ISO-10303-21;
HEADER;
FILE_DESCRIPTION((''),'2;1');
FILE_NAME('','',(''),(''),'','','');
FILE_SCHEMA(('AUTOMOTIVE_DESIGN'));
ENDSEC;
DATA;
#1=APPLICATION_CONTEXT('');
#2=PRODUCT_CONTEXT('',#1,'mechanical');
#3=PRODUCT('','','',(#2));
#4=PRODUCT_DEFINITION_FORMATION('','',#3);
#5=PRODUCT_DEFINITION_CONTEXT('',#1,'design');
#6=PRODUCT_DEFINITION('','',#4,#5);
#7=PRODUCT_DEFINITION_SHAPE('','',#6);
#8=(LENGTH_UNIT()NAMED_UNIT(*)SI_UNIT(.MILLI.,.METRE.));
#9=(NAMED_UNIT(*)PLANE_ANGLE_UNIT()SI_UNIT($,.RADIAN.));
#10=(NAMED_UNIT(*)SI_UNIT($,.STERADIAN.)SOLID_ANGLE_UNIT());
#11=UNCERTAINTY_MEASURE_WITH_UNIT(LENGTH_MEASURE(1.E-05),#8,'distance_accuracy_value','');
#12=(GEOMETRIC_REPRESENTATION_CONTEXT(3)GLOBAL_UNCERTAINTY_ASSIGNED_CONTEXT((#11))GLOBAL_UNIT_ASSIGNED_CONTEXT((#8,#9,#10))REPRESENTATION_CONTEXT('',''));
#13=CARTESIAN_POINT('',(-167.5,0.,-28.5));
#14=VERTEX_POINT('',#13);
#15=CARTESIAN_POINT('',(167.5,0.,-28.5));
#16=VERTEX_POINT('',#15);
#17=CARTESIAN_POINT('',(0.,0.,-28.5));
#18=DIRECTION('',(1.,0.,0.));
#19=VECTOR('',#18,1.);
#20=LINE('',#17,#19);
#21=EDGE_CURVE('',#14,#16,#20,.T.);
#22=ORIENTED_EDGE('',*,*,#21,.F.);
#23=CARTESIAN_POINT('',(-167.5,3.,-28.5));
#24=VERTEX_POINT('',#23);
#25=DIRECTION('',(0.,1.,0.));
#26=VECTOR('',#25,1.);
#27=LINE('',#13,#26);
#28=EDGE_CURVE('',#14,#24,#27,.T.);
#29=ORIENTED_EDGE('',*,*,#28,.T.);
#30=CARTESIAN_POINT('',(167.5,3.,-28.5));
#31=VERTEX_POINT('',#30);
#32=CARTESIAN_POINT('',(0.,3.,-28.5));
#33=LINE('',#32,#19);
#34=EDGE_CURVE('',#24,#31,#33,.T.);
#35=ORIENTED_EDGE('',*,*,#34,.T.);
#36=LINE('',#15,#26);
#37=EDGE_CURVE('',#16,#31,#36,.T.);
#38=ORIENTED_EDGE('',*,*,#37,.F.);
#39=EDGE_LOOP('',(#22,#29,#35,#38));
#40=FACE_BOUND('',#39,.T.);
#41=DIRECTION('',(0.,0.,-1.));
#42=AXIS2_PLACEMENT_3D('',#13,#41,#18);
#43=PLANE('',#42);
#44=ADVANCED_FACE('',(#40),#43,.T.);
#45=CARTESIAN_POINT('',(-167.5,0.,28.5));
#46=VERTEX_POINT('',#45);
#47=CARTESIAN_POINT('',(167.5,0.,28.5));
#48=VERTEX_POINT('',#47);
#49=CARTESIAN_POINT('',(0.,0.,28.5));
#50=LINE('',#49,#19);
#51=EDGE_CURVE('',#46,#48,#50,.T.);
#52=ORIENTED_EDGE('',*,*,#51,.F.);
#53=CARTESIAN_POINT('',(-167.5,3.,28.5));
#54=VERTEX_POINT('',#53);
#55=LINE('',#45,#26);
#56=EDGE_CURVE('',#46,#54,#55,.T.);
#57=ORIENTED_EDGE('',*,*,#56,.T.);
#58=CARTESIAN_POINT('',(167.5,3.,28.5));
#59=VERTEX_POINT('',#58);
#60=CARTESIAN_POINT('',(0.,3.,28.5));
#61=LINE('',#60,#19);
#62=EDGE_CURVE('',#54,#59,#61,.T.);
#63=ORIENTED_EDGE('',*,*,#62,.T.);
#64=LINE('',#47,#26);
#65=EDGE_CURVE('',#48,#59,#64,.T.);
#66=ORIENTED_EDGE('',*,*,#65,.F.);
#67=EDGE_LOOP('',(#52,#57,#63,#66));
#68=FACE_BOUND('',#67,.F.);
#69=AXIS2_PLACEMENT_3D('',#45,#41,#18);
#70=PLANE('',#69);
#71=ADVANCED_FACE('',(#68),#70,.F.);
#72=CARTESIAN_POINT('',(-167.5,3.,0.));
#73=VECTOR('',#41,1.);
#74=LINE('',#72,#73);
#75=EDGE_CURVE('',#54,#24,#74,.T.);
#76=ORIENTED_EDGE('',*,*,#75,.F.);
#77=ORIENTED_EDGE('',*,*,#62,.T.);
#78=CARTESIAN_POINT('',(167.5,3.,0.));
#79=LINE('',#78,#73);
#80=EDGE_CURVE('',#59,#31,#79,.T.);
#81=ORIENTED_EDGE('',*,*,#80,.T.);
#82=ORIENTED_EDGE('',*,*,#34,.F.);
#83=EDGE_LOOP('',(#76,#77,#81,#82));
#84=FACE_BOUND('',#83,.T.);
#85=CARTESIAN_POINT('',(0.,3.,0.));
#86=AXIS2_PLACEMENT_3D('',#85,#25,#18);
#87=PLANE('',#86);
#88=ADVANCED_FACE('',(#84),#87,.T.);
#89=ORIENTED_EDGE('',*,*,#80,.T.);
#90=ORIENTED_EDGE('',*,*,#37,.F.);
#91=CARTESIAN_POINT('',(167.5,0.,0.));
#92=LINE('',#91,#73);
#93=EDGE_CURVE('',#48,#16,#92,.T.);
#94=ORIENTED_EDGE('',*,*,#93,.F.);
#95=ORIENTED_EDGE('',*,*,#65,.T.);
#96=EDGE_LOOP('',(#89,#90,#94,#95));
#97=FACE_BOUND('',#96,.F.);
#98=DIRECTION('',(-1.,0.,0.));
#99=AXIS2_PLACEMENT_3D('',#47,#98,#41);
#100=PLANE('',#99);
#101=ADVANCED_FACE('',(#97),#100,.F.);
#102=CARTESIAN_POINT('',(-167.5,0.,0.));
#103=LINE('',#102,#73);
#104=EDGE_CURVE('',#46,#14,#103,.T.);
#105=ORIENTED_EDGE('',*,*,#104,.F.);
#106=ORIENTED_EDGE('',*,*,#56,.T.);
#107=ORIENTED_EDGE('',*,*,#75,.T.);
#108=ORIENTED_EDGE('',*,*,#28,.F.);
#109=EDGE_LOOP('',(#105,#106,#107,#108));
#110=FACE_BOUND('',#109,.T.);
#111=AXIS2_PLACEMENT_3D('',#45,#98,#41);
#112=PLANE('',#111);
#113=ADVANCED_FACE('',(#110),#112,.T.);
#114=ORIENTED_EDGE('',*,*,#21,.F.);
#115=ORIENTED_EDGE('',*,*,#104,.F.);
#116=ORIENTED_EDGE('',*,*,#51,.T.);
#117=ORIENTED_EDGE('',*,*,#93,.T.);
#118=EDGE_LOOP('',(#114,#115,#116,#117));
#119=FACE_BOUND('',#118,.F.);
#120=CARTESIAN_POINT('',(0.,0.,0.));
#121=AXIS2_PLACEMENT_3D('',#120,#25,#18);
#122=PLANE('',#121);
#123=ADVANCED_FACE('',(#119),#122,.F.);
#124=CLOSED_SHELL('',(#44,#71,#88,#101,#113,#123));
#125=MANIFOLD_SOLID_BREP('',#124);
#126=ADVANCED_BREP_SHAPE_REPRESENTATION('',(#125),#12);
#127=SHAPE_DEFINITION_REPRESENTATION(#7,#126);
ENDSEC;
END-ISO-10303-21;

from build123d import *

# Parameters (mm, degrees)
SKETCH1_W      = 335
SKETCH1_H      = 57
EXTRUDE1_DEPTH = 3


with BuildPart() as part:
    # Sketch1 → Extrude1 (new body)
    with BuildSketch(Plane(origin=(0, 0, 0), x_dir=(1, 0, 0), z_dir=(0, 1, 0))):
        Rectangle(SKETCH1_W, SKETCH1_H)
    extrude(amount=EXTRUDE1_DEPTH)


solid = part.part
